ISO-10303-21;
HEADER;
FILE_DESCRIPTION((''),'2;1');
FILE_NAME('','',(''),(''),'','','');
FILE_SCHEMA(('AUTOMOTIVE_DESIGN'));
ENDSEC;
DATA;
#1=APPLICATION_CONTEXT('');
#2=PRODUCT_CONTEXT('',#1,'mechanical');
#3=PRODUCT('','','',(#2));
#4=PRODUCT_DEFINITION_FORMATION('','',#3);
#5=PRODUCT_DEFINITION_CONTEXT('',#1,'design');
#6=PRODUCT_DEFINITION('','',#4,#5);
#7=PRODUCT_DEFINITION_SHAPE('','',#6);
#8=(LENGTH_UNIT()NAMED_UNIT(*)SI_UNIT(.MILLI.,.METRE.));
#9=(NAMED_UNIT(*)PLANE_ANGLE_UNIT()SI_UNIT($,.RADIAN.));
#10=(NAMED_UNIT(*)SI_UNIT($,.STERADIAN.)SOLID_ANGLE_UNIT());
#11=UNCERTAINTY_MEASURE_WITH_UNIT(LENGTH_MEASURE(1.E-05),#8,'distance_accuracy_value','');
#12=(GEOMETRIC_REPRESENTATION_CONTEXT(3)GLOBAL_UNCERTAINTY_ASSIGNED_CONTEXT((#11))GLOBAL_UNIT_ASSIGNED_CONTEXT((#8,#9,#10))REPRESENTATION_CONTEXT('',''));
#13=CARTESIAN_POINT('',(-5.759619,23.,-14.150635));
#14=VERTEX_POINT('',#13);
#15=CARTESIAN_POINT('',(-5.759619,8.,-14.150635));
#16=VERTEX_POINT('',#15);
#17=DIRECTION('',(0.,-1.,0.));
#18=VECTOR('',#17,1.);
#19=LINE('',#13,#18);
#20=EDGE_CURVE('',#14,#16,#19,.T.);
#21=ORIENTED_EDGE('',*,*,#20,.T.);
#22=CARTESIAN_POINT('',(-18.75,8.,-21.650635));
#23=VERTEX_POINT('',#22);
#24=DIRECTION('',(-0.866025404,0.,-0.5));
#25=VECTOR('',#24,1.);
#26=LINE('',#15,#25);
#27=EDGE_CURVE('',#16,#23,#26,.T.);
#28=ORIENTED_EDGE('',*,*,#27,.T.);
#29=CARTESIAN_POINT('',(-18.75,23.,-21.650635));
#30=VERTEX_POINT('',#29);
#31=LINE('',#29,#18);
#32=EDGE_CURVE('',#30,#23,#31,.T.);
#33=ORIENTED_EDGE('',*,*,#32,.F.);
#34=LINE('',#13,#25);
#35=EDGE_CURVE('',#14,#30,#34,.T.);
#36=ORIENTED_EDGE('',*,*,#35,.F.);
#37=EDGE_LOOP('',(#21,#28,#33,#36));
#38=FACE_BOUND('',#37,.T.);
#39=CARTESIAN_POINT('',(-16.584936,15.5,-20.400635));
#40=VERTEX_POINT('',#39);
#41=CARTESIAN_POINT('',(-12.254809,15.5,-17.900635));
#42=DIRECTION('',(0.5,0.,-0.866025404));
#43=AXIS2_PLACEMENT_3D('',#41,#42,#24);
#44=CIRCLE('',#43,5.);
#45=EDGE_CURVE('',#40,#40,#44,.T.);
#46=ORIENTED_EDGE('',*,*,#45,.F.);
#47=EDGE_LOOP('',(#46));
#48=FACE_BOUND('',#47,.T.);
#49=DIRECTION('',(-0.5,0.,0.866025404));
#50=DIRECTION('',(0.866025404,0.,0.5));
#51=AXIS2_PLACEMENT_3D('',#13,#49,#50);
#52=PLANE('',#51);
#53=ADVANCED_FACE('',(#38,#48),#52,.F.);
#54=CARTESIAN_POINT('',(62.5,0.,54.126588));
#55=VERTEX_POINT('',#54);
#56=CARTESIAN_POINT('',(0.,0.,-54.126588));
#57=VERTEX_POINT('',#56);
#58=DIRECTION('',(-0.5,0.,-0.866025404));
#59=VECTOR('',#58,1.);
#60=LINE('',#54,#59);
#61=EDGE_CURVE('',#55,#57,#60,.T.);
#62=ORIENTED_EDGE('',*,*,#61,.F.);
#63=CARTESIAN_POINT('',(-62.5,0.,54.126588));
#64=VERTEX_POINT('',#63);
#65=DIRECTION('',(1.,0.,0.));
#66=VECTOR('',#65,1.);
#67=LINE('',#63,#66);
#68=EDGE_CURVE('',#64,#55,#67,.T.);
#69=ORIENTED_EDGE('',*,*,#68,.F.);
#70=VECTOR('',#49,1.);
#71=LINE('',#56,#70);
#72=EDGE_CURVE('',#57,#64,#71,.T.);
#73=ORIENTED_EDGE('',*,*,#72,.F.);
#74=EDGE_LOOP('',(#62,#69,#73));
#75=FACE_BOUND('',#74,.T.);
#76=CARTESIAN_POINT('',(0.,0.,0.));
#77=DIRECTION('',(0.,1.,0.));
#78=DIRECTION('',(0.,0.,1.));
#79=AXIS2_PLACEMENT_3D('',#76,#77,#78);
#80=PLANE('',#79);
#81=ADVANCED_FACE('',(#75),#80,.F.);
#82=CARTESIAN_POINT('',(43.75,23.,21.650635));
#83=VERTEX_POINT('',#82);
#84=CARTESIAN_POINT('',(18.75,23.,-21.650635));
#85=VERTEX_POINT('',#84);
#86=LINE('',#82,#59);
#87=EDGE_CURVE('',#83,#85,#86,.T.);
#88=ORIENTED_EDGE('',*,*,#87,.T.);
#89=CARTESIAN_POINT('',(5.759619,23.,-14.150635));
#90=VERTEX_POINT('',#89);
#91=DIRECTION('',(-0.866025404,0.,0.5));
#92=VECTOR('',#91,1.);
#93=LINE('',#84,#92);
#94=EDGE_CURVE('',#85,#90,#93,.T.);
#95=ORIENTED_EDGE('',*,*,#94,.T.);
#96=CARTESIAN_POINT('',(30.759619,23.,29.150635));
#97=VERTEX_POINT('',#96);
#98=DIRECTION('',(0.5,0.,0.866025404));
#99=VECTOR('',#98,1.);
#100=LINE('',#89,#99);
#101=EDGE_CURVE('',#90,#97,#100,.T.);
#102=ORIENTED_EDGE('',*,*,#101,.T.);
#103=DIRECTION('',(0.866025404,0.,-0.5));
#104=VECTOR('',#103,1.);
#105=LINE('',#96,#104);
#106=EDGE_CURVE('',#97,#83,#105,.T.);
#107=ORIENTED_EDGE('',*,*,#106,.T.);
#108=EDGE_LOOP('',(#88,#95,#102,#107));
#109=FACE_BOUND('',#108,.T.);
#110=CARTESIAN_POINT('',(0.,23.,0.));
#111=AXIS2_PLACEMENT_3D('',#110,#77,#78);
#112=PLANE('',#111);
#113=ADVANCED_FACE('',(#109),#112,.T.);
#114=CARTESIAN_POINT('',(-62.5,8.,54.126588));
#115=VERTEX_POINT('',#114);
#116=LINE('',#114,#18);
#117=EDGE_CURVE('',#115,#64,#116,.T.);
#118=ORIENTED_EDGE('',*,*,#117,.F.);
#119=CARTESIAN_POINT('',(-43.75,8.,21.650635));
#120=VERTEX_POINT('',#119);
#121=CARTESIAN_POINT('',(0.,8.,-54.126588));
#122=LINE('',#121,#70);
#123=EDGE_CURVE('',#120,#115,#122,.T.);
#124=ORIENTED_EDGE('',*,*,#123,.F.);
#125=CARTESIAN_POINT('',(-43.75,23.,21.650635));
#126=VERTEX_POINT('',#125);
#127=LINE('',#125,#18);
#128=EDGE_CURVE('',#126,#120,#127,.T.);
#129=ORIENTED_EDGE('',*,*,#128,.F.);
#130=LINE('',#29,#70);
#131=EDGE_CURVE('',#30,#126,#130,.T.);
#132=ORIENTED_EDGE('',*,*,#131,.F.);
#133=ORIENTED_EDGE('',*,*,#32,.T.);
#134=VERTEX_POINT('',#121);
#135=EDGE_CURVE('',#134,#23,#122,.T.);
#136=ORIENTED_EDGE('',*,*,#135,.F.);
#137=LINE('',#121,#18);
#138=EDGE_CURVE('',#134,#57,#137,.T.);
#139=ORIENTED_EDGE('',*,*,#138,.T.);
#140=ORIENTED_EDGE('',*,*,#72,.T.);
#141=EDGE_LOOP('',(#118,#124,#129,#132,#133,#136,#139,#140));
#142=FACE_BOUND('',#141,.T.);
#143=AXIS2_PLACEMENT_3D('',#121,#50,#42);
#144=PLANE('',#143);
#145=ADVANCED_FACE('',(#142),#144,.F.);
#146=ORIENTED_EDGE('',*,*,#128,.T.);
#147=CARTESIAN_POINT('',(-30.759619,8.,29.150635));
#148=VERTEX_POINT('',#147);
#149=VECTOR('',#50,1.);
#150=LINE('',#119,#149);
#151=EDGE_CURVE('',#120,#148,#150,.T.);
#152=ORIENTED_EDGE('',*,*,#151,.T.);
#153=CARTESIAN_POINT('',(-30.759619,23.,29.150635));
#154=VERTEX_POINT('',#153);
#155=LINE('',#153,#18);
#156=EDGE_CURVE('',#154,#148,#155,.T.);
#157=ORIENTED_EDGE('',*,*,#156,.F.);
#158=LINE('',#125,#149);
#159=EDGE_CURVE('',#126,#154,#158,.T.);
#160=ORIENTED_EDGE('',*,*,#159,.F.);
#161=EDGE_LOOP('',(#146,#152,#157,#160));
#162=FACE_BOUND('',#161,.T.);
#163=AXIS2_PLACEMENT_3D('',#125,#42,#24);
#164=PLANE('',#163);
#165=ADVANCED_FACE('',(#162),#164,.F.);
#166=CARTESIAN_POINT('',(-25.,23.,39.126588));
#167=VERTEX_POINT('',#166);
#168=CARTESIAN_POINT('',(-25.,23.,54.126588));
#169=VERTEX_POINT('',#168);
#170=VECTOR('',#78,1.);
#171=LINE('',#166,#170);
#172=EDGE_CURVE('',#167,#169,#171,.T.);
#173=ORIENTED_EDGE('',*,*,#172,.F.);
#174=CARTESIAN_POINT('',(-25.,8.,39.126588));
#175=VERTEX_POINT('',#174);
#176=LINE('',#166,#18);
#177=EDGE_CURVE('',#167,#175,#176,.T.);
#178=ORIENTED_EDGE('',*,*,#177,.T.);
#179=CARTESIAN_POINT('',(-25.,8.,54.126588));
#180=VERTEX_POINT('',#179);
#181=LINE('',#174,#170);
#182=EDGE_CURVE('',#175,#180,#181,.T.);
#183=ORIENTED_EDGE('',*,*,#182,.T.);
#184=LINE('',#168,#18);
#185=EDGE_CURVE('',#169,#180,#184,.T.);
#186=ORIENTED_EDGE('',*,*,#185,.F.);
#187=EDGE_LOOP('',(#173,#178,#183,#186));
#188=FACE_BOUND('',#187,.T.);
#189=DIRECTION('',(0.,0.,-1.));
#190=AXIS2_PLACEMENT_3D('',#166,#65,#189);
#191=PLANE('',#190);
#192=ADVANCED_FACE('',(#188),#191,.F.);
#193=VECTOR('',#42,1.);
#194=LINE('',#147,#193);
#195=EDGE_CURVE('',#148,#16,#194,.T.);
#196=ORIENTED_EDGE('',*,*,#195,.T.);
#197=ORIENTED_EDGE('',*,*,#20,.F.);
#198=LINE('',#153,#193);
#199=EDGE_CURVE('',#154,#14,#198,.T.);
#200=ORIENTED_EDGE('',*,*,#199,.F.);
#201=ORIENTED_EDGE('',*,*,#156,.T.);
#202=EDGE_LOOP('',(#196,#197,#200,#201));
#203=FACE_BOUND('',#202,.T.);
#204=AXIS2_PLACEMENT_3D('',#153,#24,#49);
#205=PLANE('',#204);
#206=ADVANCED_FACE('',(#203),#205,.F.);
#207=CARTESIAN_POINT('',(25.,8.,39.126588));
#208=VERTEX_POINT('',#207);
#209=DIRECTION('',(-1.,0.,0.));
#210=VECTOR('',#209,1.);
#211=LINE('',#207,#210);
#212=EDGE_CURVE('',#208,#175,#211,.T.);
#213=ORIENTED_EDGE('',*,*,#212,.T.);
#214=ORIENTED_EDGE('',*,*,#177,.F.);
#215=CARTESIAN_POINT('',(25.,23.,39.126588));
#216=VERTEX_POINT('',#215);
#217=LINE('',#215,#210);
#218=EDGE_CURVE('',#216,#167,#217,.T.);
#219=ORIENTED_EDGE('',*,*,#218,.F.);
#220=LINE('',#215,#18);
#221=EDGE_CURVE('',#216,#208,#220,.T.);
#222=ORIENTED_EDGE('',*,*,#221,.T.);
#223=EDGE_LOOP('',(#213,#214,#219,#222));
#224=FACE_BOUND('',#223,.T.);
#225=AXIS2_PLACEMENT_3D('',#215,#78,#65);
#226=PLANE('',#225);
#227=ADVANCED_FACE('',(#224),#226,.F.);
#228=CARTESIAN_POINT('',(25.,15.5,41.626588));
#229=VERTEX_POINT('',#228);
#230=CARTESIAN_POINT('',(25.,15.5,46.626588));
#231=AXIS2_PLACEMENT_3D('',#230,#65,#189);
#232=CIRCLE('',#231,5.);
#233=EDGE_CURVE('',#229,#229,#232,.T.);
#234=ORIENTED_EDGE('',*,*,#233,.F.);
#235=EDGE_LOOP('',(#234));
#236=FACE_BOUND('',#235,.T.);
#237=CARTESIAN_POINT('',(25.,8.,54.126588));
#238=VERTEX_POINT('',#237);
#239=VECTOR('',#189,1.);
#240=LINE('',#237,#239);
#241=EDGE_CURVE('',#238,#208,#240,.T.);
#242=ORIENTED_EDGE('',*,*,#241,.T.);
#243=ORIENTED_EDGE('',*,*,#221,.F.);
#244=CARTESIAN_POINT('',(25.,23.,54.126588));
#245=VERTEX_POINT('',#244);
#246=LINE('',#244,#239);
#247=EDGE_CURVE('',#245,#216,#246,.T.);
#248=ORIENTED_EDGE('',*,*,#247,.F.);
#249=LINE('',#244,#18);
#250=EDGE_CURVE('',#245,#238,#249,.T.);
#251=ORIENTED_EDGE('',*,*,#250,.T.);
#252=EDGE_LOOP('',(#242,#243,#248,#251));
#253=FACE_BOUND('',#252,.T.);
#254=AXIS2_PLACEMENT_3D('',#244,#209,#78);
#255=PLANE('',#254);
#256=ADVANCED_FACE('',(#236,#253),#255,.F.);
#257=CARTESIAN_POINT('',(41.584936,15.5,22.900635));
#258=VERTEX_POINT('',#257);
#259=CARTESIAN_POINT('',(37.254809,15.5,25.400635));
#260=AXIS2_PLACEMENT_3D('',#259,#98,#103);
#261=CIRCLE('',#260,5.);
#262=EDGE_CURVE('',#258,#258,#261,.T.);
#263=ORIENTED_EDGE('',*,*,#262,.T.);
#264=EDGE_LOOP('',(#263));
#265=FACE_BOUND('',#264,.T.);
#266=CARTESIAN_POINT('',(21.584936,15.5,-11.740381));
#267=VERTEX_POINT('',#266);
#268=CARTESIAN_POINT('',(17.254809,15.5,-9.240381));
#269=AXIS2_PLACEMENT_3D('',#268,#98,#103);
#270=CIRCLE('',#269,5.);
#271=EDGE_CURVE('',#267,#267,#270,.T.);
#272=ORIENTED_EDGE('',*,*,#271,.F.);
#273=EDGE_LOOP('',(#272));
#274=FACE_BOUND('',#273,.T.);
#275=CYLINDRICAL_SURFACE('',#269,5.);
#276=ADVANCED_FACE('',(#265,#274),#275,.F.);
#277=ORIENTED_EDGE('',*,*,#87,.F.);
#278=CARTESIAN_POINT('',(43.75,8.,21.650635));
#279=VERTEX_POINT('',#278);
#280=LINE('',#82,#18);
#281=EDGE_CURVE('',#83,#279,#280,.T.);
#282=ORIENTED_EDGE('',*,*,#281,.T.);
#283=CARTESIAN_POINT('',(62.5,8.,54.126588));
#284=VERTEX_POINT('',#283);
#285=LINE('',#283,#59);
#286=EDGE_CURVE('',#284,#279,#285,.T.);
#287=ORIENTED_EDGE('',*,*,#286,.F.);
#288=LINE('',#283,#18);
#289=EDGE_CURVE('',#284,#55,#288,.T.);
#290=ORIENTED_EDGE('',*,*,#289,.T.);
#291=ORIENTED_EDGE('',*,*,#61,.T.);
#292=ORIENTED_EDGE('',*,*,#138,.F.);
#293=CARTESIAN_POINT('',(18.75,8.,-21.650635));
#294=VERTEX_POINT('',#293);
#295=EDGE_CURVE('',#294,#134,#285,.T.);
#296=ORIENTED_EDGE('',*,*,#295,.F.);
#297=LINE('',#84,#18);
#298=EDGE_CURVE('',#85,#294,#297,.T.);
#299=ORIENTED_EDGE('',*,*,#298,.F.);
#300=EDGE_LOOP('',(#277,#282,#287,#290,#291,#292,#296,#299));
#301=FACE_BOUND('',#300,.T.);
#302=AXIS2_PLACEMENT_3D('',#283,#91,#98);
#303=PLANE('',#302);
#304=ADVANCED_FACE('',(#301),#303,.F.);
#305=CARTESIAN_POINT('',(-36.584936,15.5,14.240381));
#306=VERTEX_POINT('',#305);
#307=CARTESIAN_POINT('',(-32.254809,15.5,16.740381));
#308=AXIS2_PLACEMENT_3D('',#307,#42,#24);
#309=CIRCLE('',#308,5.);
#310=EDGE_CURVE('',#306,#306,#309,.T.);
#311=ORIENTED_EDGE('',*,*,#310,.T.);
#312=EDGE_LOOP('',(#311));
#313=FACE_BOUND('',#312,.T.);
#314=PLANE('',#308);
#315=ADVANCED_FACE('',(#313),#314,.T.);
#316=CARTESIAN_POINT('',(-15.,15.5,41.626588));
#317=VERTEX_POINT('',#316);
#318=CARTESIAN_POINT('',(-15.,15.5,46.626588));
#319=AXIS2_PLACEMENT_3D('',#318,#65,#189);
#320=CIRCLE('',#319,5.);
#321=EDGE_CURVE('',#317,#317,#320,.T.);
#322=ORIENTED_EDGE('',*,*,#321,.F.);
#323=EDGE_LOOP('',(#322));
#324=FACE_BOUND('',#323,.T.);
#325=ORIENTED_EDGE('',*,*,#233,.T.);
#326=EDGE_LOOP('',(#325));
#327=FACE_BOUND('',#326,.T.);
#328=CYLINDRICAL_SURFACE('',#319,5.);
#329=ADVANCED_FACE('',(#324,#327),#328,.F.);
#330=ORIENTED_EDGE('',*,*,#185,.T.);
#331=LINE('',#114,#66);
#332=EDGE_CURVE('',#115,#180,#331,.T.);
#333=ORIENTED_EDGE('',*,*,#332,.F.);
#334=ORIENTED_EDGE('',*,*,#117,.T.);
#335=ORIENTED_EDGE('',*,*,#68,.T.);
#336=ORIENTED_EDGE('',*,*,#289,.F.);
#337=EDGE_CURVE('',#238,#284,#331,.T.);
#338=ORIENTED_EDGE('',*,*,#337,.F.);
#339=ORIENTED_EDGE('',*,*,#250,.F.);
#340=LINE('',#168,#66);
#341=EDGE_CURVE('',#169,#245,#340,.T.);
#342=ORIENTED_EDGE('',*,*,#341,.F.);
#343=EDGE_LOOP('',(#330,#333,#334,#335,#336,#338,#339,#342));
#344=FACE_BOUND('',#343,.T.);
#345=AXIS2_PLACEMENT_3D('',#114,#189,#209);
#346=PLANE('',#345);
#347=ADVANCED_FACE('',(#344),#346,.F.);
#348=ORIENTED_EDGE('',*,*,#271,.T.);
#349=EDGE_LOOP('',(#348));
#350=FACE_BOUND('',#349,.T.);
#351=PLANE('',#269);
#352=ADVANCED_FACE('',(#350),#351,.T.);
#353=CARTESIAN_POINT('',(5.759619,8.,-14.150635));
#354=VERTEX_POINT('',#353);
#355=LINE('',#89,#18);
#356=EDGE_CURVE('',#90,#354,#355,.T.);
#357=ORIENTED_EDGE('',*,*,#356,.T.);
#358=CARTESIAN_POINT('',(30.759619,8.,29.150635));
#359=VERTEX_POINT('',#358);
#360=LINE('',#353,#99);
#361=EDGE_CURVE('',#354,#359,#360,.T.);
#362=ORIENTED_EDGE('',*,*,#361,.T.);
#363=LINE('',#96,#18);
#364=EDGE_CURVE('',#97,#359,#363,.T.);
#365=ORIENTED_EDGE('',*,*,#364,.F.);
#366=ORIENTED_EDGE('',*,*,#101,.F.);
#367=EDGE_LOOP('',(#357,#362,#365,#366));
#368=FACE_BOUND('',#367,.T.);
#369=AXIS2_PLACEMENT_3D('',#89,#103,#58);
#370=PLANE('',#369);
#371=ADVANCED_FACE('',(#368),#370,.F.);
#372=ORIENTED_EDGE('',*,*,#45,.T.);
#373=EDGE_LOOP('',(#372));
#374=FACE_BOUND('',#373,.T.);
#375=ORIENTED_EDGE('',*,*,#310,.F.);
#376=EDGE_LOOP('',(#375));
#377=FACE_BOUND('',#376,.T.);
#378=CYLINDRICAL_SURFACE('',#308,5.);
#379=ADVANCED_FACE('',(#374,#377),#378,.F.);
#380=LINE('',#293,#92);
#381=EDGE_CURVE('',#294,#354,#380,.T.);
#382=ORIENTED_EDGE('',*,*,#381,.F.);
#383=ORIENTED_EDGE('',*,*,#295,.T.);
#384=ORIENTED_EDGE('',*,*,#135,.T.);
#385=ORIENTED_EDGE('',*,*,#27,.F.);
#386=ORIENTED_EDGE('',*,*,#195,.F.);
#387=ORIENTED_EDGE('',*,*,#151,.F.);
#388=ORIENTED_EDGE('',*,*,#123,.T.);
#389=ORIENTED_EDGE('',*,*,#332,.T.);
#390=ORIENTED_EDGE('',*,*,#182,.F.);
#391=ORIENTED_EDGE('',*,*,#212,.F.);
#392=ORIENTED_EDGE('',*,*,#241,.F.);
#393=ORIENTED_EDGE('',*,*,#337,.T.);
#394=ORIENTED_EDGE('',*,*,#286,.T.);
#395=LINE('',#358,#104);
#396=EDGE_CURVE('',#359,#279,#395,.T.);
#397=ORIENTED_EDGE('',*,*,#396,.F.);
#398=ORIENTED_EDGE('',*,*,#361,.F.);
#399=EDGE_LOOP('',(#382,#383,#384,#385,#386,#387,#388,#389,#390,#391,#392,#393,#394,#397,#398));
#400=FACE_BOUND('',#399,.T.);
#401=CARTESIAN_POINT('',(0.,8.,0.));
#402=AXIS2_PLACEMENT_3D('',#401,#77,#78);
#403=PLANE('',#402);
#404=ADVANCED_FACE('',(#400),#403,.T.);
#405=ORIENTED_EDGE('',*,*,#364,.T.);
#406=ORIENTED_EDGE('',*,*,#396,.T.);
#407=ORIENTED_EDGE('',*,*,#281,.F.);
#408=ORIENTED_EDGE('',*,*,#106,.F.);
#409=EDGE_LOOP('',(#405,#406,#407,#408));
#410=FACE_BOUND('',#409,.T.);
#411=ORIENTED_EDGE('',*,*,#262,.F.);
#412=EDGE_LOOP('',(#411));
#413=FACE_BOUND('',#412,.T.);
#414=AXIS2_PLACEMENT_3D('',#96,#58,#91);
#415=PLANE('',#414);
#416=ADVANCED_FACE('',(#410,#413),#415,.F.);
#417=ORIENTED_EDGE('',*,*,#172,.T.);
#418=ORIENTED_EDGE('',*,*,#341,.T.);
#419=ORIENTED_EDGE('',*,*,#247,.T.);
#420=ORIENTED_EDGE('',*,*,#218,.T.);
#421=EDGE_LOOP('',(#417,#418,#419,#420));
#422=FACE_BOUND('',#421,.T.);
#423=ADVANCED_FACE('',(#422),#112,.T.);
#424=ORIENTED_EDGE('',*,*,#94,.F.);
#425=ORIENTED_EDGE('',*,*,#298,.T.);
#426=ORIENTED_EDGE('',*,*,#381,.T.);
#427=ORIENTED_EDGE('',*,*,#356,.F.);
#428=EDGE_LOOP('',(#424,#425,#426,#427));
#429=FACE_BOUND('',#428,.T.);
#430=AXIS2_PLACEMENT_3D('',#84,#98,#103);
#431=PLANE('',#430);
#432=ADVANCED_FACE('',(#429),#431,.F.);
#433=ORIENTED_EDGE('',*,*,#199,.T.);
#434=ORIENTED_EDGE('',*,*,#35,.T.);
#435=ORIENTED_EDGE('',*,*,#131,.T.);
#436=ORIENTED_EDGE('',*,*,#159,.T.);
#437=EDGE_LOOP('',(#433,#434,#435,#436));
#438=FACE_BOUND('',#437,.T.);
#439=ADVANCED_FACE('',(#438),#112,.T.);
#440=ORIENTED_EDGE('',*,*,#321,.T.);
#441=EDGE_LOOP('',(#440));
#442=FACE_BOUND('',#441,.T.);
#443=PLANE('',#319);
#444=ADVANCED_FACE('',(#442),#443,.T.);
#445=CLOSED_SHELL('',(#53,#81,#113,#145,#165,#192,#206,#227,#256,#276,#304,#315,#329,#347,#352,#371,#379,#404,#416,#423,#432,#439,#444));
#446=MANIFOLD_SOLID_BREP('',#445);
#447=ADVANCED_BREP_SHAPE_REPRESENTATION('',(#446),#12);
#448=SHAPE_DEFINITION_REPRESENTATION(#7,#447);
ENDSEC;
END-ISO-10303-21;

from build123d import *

# Parameters (mm, degrees)
BOSS_EXTRUDE1_DEPTH = 8
BOSS_EXTRUDE2_DEPTH = 15
SKETCH4_R           = 5
CUT_EXTRUDE1_DEPTH  = 40
SKETCH5_R           = 5
CUT_EXTRUDE2_DEPTH  = 40
SKETCH6_R           = 5
CUT_EXTRUDE3_DEPTH  = 40


with BuildPart() as part:
    # Sketch2 → Boss-Extrude1 (new body)
    with BuildSketch(Plane(origin=(0, 0, 0), x_dir=(1, 0, 0), z_dir=(0, 1, 0))):
        Polygon((-62.5, -54.126587737), (62.5, -54.126587737), (0, 54.126587737), align=None)
    extrude(amount=BOSS_EXTRUDE1_DEPTH)

    # Sketch3 → Boss-Extrude2 (add)
    with BuildSketch(Plane(origin=(0, 8, 0), x_dir=(1, 0, 0), z_dir=(0, 1, 0))):
        Polygon((31.25, 0), (18.75, 21.650635095), (5.759618943, 14.150635095), (30.759618943, -29.150635095), (43.75, -21.650635095), align=None)
        Polygon((0, -54.126587737), (25, -54.126587737), (25, -39.126587737), (-25, -39.126587737), (-25, -54.126587737), align=None)
        Polygon((-31.25, 0), (-43.75, -21.650635095), (-30.759618943, -29.150635095), (-5.759618943, 14.150635095), (-18.75, 21.650635095), align=None)
    extrude(amount=BOSS_EXTRUDE2_DEPTH)

    # Sketch4 → Cut-Extrude1 (cut)
    with BuildSketch(Plane(origin=(25, 0, 0), x_dir=(0, 0, -1), z_dir=(1, 0, 0))):
        with Locations((-46.626587737, 15.5)):
            Circle(SKETCH4_R)
    extrude(amount=-CUT_EXTRUDE1_DEPTH, mode=Mode.SUBTRACT)

    # Sketch5 → Cut-Extrude2 (cut)
    with BuildSketch(Plane(origin=(20.3125, 0, 35.182282029), x_dir=(0.866025404, 0, -0.5), z_dir=(0.5, 0, 0.866025404))):
        with Locations((19.563293868, 15.5)):
            Circle(SKETCH5_R)
    extrude(amount=-CUT_EXTRUDE2_DEPTH, mode=Mode.SUBTRACT)

    # Sketch6 → Cut-Extrude3 (cut)
    with BuildSketch(Plane(origin=(4.6875, 0, -8.11898816), x_dir=(-0.866025404, 0, -0.5), z_dir=(0.5, 0, -0.866025404))):
        with Locations((19.563293868, 15.5)):
            Circle(SKETCH6_R)
    extrude(amount=-CUT_EXTRUDE3_DEPTH, mode=Mode.SUBTRACT)


solid = part.part
